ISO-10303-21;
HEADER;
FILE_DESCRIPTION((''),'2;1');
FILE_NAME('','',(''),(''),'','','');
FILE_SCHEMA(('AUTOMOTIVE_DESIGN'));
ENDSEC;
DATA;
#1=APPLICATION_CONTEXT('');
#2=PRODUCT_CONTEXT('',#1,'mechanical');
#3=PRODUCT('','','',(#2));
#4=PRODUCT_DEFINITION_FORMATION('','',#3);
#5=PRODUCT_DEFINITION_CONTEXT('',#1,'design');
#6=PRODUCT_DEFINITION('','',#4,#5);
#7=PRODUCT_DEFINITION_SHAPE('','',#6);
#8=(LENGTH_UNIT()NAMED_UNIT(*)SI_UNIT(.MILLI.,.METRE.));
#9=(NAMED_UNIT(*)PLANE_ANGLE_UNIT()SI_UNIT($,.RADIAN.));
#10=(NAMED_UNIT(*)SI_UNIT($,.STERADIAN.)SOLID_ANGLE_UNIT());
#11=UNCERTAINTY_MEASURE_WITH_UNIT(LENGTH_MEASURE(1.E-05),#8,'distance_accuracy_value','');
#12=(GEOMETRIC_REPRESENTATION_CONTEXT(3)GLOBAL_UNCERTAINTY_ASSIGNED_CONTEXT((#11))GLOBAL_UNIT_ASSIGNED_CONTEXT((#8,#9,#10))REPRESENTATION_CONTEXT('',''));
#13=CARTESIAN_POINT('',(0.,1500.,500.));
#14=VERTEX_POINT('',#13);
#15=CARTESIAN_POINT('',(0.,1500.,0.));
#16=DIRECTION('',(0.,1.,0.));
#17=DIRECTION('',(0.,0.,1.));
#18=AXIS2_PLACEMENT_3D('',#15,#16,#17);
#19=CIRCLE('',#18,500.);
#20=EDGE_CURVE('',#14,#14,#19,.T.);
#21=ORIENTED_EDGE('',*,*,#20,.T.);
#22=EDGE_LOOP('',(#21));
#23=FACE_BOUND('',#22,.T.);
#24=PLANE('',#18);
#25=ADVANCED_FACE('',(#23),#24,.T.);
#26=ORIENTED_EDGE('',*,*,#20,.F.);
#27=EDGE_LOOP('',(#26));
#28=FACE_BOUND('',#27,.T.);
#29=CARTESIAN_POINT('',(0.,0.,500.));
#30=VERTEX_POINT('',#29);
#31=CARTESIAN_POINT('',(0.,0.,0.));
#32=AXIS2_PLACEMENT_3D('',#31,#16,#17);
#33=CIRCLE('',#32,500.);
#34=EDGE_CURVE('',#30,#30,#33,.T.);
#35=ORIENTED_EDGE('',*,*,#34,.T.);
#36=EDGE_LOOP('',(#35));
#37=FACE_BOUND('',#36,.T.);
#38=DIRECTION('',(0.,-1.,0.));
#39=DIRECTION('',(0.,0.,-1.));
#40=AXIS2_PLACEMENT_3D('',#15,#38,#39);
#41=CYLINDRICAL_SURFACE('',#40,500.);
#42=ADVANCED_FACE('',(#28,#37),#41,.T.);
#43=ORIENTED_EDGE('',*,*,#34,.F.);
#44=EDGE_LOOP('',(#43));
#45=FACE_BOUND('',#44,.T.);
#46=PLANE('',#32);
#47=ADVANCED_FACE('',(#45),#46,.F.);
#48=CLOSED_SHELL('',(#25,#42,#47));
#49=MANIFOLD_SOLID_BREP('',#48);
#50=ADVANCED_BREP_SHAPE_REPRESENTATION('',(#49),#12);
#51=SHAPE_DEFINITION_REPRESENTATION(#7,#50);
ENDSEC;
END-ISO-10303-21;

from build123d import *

# Parameters (mm, degrees)
SKETCH1_R           = 500
BOSS_EXTRUDE1_DEPTH = 1500


with BuildPart() as part:
    # Sketch1 → Boss-Extrude1 (new body)
    with BuildSketch(Plane(origin=(0, 0, 0), x_dir=(1, 0, 0), z_dir=(0, 1, 0))):
        Circle(SKETCH1_R)
    extrude(amount=BOSS_EXTRUDE1_DEPTH)


solid = part.part
